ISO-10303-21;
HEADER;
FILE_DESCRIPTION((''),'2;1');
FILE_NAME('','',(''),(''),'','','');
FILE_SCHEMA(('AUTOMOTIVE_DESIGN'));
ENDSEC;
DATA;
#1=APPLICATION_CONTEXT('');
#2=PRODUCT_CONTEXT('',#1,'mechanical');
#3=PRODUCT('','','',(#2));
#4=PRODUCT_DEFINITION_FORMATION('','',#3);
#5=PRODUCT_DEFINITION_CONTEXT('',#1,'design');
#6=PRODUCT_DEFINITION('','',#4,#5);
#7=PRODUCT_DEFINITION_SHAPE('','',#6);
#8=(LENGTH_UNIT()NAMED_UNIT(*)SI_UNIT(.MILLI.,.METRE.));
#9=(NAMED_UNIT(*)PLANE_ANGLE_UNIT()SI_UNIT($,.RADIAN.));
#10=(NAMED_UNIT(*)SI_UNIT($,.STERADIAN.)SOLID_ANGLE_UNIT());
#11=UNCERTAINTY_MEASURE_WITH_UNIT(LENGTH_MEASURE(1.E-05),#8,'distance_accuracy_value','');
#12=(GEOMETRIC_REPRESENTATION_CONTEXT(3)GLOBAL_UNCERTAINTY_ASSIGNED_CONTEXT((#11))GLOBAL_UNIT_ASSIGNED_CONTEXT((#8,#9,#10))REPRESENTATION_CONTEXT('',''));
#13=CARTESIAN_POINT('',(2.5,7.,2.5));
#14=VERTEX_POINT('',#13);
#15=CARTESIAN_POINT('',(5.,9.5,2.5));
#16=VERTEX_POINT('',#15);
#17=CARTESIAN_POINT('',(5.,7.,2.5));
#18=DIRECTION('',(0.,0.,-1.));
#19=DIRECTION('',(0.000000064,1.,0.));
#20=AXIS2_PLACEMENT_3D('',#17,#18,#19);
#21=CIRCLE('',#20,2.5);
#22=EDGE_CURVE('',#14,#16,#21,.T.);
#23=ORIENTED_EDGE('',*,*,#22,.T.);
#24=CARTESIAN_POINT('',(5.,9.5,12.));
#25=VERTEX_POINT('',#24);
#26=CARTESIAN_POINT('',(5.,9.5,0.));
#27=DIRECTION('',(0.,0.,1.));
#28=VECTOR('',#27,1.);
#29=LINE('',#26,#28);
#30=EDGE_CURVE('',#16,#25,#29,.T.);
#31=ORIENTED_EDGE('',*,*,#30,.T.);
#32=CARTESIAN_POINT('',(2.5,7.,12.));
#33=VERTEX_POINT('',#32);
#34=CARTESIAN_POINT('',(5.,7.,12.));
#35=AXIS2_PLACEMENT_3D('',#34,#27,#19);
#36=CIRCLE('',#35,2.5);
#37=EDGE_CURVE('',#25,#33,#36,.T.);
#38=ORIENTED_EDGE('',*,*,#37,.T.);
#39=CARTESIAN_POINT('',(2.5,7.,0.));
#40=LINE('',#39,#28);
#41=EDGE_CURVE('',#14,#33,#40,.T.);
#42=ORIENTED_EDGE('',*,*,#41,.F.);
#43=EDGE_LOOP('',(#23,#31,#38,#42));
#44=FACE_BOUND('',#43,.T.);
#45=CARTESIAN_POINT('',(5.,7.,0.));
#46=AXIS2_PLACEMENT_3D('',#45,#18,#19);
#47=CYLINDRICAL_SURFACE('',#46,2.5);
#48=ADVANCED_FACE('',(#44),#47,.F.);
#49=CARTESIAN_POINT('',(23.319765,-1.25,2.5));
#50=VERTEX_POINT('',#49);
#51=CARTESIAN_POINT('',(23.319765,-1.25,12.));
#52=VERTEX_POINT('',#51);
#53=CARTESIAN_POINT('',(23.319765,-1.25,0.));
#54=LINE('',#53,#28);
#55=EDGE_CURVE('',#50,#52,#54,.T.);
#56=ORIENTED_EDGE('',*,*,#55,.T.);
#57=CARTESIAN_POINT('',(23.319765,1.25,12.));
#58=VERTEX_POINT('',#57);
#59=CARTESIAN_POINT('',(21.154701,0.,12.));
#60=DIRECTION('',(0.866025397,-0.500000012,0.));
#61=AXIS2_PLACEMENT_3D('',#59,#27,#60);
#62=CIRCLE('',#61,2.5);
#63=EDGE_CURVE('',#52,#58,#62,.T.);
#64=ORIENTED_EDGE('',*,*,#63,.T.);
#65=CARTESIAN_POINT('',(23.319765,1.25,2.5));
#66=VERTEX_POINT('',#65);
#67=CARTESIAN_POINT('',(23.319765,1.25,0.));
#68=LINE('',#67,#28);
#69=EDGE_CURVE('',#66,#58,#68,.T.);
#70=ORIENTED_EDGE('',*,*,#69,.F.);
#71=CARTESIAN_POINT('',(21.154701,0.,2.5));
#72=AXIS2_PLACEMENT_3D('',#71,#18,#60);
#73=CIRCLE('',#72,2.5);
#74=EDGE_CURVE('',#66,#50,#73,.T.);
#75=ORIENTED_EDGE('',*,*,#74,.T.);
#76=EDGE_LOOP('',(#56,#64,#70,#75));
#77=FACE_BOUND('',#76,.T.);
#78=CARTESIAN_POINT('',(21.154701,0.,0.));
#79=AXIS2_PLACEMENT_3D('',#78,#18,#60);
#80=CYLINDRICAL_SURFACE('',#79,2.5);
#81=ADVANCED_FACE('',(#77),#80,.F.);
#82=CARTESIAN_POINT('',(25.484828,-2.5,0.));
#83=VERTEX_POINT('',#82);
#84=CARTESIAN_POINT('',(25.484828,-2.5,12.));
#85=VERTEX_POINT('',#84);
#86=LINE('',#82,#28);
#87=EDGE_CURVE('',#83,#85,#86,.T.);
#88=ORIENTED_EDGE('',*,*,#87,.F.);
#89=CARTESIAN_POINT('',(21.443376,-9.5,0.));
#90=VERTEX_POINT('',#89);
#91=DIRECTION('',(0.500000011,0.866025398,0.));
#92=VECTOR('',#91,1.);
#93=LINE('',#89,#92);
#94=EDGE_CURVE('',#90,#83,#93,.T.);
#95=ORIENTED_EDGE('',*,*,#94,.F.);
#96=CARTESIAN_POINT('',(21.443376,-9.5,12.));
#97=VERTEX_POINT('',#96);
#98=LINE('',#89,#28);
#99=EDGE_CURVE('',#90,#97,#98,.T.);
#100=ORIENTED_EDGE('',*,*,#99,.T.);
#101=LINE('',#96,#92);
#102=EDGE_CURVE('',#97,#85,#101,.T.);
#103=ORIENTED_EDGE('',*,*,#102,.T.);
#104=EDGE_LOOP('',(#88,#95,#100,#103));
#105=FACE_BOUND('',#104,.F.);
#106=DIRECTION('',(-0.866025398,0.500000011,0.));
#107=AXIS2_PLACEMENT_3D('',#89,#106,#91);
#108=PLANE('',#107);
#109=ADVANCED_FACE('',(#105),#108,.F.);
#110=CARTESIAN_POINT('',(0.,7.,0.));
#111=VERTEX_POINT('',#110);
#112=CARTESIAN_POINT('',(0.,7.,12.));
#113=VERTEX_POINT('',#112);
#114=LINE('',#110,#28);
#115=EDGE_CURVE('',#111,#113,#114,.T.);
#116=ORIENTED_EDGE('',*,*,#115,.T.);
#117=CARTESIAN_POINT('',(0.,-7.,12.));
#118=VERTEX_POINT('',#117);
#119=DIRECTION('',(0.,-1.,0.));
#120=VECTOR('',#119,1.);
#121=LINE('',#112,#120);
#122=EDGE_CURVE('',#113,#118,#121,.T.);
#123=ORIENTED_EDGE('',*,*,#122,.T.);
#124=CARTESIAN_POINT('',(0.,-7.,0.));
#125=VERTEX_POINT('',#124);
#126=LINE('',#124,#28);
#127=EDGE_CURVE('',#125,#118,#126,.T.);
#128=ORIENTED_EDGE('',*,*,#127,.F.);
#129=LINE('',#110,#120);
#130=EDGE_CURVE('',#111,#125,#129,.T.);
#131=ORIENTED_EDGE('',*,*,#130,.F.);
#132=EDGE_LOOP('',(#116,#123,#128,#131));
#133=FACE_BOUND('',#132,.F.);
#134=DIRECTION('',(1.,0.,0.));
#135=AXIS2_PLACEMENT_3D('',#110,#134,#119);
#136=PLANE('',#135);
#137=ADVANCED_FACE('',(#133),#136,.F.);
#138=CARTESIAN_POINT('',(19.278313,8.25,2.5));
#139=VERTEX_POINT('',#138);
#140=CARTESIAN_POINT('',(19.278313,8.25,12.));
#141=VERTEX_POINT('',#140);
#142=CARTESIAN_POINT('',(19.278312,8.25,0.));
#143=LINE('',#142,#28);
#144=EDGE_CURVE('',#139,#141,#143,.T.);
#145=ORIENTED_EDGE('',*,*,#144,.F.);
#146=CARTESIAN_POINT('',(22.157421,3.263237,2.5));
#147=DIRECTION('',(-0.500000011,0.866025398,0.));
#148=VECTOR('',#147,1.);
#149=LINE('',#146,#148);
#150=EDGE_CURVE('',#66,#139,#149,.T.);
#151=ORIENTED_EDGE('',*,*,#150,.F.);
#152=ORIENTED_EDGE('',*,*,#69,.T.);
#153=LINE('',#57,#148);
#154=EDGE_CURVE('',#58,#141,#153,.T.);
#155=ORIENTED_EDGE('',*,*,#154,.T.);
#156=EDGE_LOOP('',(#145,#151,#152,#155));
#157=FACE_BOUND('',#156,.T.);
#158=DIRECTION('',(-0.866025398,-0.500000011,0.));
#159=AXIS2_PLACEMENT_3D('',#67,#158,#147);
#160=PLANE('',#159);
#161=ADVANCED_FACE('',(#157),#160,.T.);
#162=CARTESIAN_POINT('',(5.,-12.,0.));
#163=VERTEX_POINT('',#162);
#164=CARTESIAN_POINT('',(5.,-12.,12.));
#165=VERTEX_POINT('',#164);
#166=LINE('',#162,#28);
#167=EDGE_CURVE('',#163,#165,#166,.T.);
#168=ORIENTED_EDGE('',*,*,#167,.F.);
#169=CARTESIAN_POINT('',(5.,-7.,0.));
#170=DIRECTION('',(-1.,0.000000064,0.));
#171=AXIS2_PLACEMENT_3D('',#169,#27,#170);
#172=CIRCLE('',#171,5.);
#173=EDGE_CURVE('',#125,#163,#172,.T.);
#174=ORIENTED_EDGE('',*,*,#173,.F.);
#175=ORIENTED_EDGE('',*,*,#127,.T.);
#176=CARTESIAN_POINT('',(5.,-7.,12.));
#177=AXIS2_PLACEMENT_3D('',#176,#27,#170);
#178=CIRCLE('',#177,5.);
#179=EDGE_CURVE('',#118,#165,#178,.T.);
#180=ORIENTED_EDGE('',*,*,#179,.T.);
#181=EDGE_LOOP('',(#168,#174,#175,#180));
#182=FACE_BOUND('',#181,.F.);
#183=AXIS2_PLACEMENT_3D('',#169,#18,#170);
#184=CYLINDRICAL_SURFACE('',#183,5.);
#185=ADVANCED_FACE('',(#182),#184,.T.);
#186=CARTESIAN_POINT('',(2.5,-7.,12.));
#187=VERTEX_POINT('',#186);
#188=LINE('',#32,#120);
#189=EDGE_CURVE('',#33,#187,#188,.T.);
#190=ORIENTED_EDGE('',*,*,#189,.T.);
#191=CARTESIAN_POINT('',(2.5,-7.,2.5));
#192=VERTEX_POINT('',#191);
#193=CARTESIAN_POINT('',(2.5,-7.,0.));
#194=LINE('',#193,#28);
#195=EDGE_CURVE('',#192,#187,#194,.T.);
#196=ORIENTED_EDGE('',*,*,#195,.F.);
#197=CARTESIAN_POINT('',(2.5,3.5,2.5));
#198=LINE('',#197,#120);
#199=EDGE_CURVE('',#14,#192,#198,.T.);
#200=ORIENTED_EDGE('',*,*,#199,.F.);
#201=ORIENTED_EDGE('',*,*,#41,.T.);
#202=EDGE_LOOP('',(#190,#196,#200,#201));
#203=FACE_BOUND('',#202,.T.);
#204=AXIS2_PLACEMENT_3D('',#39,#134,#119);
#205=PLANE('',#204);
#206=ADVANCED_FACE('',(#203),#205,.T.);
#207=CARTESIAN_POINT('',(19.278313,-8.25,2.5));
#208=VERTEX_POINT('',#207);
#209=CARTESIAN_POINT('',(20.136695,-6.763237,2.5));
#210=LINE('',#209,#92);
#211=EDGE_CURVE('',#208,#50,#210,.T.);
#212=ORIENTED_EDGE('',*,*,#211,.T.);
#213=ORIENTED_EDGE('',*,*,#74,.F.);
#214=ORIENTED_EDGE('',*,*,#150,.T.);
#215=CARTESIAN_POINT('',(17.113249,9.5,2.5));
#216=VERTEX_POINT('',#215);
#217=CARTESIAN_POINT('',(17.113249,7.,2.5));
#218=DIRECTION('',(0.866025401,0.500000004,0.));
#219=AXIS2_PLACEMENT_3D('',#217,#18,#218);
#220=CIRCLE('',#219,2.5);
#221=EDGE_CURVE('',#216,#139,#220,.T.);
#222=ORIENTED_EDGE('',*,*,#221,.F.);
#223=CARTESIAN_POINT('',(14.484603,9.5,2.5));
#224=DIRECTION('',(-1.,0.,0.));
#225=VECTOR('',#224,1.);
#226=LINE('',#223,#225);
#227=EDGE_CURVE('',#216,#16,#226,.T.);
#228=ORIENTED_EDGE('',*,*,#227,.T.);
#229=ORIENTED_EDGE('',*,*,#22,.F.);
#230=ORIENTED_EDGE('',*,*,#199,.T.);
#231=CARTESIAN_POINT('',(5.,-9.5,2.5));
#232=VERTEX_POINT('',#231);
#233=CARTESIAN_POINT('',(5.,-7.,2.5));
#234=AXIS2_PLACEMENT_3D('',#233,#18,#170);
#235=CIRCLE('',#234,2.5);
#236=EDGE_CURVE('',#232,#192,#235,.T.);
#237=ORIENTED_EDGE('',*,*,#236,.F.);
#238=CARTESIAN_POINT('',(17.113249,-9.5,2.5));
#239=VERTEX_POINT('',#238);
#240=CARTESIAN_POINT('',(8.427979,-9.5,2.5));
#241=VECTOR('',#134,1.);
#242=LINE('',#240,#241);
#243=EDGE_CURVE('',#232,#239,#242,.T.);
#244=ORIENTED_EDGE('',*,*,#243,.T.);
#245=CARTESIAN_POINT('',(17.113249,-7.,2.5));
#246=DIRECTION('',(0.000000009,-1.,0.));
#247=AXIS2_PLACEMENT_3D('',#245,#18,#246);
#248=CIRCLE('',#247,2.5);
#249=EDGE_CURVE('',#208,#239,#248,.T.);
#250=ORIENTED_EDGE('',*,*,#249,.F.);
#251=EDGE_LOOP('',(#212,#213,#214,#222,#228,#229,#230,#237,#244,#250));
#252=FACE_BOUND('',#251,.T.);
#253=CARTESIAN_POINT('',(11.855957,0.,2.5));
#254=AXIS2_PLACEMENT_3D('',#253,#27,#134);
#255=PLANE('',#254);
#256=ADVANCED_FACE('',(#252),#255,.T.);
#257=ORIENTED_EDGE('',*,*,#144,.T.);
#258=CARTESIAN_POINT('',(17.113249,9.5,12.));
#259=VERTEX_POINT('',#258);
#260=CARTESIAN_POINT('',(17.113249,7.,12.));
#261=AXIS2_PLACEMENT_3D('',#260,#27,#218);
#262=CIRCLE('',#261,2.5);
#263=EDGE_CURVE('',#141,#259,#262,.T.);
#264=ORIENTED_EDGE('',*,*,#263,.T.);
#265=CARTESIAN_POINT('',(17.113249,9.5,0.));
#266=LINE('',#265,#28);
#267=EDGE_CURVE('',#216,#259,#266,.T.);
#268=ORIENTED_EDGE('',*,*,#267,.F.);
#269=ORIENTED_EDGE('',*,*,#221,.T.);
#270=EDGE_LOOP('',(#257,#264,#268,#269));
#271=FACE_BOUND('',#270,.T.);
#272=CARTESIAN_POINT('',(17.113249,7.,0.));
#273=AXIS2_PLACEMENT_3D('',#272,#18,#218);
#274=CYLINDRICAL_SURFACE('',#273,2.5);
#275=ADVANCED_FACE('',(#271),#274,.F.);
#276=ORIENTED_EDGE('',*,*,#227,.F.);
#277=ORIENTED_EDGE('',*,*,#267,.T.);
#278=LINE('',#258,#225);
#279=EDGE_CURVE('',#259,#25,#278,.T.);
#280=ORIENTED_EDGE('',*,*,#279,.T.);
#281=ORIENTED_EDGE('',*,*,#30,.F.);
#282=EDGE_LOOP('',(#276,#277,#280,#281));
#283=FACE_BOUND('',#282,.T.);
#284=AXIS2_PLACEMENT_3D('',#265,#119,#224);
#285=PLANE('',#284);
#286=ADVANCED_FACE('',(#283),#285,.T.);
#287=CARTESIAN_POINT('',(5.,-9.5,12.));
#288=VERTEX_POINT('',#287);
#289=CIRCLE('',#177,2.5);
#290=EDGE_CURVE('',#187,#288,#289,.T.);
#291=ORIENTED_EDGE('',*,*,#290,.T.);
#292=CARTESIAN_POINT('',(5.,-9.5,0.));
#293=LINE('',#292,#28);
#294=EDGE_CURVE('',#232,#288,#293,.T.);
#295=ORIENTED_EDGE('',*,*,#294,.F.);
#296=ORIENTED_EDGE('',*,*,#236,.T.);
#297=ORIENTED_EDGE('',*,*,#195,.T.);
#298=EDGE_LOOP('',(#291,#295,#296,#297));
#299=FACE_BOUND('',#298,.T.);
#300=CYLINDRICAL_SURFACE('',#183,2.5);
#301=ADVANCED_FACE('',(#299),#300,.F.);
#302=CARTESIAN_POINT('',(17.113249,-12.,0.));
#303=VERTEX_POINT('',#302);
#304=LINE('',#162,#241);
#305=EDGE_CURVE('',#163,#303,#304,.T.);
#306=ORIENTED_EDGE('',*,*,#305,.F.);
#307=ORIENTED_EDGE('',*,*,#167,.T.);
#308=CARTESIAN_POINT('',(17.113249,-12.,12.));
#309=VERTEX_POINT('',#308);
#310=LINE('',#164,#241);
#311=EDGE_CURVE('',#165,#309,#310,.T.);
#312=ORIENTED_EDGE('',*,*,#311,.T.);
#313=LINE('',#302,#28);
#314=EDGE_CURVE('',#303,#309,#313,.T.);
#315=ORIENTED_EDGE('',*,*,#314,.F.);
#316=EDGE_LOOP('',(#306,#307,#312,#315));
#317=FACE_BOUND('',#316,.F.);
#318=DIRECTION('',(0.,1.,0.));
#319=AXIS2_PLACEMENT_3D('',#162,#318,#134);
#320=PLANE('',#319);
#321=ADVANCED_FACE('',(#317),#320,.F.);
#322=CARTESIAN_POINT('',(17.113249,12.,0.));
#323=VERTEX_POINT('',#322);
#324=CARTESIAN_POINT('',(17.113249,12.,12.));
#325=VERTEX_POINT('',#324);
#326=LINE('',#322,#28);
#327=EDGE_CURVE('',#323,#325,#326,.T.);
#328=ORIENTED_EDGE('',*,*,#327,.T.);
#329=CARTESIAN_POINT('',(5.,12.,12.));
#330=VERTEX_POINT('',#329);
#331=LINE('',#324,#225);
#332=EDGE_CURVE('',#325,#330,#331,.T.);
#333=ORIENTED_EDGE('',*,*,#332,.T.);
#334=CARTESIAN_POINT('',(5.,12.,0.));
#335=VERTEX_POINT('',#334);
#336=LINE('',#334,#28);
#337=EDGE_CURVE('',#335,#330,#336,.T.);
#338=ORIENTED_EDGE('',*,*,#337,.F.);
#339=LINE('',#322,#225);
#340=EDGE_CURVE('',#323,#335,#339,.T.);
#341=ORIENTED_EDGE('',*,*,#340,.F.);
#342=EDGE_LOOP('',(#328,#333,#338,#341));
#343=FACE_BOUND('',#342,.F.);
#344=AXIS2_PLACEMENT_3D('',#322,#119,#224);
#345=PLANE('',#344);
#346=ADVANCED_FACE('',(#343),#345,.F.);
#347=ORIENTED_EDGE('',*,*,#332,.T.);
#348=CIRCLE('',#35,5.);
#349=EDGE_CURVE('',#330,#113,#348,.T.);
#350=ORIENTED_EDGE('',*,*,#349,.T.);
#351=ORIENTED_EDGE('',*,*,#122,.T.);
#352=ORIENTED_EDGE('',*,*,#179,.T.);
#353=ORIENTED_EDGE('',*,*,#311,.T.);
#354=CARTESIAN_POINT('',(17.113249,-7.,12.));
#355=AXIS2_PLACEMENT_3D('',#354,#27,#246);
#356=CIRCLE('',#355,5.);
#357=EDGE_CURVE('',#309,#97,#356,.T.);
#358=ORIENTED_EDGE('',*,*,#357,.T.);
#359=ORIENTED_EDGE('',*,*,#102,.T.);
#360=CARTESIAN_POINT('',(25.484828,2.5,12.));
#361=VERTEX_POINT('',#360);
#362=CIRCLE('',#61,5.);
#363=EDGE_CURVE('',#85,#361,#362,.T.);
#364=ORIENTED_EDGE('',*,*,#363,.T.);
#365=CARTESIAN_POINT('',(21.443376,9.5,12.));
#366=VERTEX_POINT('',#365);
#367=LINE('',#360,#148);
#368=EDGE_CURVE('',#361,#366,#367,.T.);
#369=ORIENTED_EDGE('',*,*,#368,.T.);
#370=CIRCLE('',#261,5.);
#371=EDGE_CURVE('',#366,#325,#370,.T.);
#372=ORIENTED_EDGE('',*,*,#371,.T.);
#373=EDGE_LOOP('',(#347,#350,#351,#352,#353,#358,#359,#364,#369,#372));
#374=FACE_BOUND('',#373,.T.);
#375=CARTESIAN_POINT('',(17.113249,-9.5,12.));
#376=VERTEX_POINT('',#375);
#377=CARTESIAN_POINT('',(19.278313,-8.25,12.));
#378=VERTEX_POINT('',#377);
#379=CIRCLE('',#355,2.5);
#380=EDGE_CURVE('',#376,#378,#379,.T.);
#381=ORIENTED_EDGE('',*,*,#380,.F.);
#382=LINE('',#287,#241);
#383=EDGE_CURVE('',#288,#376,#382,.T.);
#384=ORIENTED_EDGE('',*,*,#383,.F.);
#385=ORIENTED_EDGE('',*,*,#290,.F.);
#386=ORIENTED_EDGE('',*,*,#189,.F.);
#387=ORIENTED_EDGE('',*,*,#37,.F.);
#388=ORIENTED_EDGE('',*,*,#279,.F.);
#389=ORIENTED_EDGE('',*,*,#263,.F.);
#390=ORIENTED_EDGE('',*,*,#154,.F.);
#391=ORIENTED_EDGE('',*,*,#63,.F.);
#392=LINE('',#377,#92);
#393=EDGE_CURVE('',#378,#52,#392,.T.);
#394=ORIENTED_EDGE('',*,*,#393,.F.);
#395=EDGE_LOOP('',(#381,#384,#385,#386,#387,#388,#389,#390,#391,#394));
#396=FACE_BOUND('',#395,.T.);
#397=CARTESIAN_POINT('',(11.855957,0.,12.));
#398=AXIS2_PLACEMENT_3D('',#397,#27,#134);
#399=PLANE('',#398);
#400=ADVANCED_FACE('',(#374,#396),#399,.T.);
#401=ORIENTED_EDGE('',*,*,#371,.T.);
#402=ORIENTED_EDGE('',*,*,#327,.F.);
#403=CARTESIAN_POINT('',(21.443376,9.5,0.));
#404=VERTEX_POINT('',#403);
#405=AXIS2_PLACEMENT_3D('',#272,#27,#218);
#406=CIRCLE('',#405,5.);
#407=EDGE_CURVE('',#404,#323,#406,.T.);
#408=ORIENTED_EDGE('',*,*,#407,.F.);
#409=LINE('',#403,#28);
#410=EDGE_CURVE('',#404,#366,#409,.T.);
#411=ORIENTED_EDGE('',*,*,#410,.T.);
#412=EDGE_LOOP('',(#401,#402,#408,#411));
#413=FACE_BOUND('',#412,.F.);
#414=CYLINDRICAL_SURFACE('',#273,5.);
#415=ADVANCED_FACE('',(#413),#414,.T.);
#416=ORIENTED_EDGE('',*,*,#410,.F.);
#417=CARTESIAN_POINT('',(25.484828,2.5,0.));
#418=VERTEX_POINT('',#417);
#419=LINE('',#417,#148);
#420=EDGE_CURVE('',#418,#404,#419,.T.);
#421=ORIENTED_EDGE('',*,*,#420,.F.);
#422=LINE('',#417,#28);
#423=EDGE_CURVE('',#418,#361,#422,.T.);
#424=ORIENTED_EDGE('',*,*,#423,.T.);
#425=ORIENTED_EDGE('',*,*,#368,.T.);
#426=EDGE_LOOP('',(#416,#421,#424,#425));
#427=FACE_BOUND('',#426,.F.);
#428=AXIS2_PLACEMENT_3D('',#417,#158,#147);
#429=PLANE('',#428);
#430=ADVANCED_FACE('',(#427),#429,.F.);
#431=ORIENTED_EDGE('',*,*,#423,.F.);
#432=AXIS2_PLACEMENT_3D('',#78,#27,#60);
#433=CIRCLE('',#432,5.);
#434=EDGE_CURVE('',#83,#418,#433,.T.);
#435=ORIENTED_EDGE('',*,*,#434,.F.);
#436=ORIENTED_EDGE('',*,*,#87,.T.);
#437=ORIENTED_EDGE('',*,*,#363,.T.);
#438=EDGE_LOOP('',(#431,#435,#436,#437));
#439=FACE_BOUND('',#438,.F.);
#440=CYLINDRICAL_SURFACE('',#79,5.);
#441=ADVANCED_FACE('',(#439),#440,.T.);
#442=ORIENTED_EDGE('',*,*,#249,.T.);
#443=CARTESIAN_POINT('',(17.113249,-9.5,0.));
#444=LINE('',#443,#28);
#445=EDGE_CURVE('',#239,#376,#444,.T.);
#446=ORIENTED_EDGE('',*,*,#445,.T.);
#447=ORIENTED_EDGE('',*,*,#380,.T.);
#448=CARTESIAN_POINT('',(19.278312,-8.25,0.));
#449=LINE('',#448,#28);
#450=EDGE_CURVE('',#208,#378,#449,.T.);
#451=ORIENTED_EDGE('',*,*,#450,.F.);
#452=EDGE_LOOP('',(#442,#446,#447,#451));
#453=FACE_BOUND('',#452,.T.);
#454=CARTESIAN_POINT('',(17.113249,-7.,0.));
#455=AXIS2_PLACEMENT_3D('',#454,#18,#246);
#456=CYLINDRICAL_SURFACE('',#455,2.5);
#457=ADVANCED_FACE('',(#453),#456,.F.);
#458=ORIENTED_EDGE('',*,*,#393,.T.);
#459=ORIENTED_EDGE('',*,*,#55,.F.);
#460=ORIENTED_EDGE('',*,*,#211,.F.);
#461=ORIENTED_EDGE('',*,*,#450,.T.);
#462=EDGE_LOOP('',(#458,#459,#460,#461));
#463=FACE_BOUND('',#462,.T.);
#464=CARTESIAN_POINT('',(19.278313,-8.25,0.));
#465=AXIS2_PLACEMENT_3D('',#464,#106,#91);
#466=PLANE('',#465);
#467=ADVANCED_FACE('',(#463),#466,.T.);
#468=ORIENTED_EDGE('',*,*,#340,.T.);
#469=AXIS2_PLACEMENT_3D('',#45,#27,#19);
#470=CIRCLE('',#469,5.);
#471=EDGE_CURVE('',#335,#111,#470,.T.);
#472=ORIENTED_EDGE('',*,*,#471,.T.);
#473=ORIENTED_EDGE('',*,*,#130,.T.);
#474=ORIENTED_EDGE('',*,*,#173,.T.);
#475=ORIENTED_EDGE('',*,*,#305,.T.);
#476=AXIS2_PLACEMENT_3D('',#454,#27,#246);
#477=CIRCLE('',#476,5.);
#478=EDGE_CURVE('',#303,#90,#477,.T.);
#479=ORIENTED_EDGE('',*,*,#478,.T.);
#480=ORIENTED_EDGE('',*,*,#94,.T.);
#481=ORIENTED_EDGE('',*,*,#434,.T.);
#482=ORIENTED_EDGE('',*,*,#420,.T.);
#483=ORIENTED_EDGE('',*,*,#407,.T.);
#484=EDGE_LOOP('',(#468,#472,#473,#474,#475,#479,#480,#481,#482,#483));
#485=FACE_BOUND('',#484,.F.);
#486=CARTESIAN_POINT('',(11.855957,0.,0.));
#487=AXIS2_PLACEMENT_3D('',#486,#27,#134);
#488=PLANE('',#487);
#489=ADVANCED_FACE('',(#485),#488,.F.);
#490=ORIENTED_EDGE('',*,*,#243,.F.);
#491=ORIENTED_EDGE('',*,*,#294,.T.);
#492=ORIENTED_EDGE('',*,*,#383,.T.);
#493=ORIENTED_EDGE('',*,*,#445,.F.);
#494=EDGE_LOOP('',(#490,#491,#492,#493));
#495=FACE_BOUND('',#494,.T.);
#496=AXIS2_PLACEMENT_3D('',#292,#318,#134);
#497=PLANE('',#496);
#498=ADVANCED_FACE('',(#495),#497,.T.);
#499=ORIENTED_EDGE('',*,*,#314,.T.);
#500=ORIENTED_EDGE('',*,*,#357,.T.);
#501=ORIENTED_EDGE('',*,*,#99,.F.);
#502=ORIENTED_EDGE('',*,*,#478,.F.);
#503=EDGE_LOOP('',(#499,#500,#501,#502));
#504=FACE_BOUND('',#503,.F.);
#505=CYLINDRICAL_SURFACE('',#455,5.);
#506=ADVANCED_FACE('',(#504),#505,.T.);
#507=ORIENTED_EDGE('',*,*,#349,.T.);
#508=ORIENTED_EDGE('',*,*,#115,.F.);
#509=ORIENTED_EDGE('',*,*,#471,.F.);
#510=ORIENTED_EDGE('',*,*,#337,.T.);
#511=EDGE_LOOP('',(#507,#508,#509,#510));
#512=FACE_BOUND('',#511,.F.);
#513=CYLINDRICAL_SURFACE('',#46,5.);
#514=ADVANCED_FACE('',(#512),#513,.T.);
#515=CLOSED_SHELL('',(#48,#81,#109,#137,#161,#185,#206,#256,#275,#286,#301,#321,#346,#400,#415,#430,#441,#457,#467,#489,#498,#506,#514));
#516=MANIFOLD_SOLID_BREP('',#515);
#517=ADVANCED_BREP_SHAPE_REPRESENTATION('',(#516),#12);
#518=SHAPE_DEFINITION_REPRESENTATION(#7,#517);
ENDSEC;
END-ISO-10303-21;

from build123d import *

# Parameters (mm, degrees)
F1_DEPTH = 12
F2_T     = -2.5


with BuildPart() as f1:
    # F0 (on Top) → F1 (new body)
    with BuildSketch(Plane.XY):
        with BuildLine():
            ThreePointArc((5, 12), (1.464466, 10.535534), (0, 7))
            Line((0, 7), (0, 0))
            Line((0, 0), (0, -7))
            ThreePointArc((0, -7), (1.464466, -10.535534), (5, -12))
            Line((5, -12), (17.113249, -12))
            ThreePointArc((17.113249, -12), (19.613249, -11.330127), (21.443376, -9.5))
            Line((21.443376, -9.5), (25.484828, -2.5))
            ThreePointArc((25.484828, -2.5), (26.154701, 0), (25.484828, 2.5))
            Line((25.484828, 2.5), (21.443376, 9.5))
            ThreePointArc((21.443376, 9.5), (19.613249, 11.330127), (17.113249, 12))
            Line((17.113249, 12), (5, 12))
        make_face()
    extrude(amount=F1_DEPTH)

    # F2
    f2_openings = [f1.faces().sort_by_distance(p)[0] for p in [
        (11.952499, 0, 12),
    ]]
    offset(amount=F2_T, openings=f2_openings)


solid = f1.part
